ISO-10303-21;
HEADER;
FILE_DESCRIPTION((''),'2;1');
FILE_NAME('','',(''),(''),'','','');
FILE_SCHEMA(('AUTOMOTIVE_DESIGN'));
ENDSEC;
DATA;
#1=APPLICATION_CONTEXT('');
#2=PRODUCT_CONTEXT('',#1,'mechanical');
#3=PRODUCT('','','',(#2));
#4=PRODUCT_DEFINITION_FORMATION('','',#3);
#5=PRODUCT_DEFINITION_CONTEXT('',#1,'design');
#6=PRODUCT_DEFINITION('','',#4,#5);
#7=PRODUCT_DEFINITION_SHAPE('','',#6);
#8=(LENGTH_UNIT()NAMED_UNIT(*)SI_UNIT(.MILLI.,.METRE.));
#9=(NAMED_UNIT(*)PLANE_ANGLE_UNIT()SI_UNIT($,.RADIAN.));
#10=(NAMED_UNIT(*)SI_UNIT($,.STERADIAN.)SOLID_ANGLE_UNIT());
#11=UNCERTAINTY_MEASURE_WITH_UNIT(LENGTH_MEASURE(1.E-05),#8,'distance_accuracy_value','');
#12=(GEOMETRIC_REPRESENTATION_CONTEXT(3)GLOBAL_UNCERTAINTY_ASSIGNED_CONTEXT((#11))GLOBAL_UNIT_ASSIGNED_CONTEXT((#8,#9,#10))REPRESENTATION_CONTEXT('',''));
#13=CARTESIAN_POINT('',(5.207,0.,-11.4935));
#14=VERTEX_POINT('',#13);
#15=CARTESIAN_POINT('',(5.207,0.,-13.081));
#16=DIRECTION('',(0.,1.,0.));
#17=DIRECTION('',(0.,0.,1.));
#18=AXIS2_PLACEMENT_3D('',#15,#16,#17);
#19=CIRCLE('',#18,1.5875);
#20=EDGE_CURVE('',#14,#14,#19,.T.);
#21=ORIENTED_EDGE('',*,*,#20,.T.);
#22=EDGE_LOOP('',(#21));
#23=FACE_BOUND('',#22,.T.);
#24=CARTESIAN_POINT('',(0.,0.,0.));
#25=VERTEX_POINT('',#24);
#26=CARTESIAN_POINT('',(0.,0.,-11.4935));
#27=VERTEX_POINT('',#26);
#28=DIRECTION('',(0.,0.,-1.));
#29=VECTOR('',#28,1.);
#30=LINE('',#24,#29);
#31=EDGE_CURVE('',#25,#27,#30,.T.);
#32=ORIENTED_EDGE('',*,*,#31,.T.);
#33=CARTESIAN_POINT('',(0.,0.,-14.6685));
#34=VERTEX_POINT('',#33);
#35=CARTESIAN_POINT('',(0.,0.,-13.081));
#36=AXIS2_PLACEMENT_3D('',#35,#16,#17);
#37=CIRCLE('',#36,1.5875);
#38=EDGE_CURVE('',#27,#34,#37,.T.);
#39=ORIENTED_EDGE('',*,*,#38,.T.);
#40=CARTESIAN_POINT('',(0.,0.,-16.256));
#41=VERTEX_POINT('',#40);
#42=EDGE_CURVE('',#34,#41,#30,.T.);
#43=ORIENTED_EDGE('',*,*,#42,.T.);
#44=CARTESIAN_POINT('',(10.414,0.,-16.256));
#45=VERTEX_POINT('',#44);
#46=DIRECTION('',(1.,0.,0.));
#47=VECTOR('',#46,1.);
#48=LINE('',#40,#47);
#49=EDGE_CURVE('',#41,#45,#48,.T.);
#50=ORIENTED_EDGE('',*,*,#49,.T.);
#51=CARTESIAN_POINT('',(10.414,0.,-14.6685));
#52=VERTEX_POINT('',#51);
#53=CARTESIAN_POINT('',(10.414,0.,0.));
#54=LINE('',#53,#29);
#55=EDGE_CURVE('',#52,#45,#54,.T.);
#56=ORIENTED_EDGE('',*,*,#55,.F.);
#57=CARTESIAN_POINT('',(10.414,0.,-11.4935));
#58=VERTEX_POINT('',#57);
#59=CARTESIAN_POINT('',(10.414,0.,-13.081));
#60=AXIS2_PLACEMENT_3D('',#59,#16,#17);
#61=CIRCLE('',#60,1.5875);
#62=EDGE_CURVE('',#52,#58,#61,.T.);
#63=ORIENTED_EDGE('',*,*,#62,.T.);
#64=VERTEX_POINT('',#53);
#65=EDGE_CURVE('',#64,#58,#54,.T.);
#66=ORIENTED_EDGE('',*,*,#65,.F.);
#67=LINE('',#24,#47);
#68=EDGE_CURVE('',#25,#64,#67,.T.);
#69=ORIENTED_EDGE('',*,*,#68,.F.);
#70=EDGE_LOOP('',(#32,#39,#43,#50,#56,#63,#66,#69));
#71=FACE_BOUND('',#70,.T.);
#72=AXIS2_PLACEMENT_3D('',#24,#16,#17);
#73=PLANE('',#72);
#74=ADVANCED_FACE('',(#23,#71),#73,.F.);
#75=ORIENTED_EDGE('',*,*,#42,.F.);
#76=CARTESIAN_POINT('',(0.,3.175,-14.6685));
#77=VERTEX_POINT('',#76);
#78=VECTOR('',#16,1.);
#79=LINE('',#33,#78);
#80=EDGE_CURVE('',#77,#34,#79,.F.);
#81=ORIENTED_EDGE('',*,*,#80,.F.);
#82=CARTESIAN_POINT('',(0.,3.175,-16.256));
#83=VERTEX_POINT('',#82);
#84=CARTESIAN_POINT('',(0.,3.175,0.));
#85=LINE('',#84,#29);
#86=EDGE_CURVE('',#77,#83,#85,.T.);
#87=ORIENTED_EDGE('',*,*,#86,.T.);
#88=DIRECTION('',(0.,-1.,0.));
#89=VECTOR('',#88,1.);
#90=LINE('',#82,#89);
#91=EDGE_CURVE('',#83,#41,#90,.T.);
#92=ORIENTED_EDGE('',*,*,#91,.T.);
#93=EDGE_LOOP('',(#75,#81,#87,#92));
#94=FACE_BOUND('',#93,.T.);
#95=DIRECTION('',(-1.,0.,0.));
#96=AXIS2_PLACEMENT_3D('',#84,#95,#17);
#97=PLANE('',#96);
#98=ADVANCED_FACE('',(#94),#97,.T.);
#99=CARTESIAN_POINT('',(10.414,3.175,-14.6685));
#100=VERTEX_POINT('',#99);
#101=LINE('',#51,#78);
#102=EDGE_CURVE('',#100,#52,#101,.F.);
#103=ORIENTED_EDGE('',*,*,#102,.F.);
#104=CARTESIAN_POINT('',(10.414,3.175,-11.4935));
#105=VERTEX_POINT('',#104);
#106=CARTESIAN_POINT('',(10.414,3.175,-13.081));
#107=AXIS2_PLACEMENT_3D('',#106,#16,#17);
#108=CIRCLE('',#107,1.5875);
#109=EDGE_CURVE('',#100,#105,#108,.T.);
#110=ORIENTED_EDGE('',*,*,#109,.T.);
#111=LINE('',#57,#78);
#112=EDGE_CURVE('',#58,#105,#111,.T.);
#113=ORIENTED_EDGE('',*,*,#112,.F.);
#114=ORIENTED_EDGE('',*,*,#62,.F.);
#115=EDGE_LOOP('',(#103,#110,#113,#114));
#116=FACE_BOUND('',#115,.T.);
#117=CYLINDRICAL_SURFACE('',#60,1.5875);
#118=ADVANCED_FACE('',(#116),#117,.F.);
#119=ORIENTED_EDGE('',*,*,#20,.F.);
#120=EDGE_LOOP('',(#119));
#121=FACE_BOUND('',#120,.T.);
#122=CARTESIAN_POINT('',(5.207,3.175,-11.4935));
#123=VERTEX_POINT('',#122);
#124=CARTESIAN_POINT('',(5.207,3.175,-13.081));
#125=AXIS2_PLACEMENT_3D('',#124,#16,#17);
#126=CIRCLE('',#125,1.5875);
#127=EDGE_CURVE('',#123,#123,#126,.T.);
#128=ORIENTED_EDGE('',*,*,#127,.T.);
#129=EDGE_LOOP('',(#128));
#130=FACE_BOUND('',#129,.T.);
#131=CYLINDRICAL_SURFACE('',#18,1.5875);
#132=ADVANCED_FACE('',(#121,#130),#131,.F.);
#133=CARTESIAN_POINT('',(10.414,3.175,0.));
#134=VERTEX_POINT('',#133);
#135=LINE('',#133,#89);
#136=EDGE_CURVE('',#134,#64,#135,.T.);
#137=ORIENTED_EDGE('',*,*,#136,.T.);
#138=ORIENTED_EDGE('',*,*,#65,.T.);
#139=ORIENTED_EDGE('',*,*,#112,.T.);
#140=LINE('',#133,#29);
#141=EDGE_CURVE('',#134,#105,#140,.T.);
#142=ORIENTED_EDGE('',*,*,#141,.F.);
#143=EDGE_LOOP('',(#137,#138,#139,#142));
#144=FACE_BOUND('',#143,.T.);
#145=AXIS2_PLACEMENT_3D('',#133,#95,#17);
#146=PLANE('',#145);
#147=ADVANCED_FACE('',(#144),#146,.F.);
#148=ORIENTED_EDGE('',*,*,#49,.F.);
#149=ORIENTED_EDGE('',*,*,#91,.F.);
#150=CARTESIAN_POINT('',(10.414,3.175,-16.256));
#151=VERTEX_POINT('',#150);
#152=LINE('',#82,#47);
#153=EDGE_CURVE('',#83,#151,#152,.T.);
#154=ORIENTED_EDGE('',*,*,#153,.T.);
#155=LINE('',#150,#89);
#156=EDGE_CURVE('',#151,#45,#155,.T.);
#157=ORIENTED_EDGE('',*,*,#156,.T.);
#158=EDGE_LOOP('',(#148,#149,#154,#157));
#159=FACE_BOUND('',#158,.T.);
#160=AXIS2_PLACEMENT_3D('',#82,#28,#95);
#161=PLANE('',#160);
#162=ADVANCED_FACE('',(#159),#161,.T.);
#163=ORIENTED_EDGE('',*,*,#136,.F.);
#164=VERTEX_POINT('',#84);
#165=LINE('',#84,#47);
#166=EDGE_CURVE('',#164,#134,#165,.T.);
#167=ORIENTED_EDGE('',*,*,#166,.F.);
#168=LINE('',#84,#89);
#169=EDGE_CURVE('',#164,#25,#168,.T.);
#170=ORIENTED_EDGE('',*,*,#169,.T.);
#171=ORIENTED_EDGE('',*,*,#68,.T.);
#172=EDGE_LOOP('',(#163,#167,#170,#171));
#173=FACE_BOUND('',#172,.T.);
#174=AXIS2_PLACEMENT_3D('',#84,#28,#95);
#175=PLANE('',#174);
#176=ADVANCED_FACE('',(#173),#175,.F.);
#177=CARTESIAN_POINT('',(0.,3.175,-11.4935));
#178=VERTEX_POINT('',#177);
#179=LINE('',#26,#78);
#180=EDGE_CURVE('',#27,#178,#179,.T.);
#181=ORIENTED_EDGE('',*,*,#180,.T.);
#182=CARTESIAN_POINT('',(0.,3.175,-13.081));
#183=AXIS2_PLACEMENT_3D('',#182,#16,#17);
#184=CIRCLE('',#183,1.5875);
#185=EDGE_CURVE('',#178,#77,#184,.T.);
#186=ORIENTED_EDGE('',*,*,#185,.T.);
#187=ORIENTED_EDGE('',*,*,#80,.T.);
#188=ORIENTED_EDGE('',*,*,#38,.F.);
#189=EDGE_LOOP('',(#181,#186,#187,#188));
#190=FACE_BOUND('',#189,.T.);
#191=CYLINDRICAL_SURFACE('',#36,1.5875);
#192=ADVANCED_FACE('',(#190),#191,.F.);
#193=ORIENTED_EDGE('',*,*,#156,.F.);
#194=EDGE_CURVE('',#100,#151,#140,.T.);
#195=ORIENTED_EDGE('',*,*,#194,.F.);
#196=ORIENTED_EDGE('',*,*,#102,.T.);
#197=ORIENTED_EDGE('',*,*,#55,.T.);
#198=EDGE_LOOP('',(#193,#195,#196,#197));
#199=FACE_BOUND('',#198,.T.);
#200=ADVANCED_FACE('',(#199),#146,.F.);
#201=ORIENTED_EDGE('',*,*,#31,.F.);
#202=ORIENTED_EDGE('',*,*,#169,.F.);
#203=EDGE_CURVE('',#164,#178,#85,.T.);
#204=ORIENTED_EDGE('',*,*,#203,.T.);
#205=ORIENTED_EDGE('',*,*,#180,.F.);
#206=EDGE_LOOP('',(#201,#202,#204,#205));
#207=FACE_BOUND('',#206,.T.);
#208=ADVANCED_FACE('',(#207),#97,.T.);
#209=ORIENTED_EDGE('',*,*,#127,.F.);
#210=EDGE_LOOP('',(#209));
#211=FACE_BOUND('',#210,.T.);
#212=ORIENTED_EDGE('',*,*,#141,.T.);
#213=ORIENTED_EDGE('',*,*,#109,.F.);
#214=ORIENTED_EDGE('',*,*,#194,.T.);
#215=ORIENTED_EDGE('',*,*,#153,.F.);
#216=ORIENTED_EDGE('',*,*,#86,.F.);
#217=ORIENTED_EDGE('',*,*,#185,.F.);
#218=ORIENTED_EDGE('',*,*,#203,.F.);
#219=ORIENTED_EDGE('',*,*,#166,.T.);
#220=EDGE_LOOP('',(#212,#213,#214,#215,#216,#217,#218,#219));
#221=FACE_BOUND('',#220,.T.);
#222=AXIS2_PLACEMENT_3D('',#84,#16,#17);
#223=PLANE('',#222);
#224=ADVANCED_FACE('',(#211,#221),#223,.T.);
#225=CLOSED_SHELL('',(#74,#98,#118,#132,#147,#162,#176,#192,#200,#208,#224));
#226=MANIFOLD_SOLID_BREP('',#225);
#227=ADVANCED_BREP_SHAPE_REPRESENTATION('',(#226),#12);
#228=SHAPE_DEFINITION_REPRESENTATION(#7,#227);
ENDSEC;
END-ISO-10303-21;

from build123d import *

# Parameters (mm, degrees)
SKETCH1_W           = 10.414
SKETCH1_H           = 16.256
BOSS_EXTRUDE1_DEPTH = 3.175
SKETCH2_R           = 1.5875
CUT_EXTRUDE1_DEPTH  = 3.175


with BuildPart() as part:
    # Sketch1 → Boss-Extrude1 (new body)
    with BuildSketch(Plane(origin=(0, 0, 0), x_dir=(1, 0, 0), z_dir=(0, 1, 0))):
        with Locations((5.207, 8.128)):
            Rectangle(SKETCH1_W, SKETCH1_H)
    extrude(amount=BOSS_EXTRUDE1_DEPTH)

    # Sketch2 → Cut-Extrude1 (cut)
    with BuildSketch(Plane(origin=(0, 3.175, 0), x_dir=(1, 0, 0), z_dir=(0, 1, 0))):
        with Locations((5.207, 13.081)):
            Circle(SKETCH2_R)
        with Locations((10.414, 13.081)):
            Circle(SKETCH2_R)
        with Locations((0, 13.081)):
            Circle(SKETCH2_R)
    extrude(amount=-CUT_EXTRUDE1_DEPTH, mode=Mode.SUBTRACT)


solid = part.part
